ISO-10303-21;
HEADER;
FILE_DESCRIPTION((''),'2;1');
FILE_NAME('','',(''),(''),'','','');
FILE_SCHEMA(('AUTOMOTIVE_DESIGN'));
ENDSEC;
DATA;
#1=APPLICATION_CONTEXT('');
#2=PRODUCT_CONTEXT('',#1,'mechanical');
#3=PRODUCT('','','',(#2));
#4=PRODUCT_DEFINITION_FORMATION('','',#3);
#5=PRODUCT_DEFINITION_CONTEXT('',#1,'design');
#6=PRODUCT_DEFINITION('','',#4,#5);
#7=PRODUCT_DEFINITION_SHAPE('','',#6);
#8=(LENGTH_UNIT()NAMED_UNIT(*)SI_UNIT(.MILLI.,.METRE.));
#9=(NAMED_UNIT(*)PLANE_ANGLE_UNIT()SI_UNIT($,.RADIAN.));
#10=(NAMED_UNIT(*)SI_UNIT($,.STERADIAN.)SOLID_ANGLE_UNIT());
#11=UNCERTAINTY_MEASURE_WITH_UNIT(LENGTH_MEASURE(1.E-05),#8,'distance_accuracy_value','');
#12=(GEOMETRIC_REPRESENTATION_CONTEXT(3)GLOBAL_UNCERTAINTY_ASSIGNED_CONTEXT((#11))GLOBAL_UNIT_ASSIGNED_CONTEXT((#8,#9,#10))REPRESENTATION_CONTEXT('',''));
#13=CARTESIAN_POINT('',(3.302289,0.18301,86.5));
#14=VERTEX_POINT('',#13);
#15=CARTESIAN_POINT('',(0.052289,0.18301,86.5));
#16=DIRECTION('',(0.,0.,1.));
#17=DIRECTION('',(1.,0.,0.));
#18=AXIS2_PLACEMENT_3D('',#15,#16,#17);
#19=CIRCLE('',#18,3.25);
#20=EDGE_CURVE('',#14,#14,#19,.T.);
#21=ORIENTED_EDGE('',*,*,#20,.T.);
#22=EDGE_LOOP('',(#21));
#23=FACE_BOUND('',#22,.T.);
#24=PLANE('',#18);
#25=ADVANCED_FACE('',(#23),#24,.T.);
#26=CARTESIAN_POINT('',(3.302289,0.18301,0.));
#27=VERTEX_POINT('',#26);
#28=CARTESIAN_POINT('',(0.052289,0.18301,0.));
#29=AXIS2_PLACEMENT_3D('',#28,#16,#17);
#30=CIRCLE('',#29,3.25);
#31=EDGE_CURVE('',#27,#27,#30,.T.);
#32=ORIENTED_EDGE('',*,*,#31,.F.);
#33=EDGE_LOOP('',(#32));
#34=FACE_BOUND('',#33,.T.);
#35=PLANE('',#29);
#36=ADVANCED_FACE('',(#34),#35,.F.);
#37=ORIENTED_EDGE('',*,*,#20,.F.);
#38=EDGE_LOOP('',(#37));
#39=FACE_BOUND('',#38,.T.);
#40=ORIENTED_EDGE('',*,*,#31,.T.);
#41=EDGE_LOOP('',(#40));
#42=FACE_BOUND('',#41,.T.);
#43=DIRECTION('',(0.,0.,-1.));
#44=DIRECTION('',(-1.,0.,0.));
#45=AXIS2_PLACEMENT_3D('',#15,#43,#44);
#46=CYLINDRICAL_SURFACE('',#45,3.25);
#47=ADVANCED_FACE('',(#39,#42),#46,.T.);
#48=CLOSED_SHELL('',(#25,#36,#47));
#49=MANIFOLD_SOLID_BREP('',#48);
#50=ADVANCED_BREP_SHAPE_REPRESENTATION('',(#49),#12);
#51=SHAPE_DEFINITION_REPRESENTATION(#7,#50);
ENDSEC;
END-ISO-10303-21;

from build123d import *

# Parameters (mm, degrees)
SKETCH1_R           = 3.25
BOSS_EXTRUDE1_DEPTH = 86.5


with BuildPart() as part:
    # Sketch1 → Boss-Extrude1 (new body)
    with BuildSketch(Plane.XY):
        with Locations((0.052288579, 0.183010026)):
            Circle(SKETCH1_R)
    extrude(amount=BOSS_EXTRUDE1_DEPTH)


solid = part.part
